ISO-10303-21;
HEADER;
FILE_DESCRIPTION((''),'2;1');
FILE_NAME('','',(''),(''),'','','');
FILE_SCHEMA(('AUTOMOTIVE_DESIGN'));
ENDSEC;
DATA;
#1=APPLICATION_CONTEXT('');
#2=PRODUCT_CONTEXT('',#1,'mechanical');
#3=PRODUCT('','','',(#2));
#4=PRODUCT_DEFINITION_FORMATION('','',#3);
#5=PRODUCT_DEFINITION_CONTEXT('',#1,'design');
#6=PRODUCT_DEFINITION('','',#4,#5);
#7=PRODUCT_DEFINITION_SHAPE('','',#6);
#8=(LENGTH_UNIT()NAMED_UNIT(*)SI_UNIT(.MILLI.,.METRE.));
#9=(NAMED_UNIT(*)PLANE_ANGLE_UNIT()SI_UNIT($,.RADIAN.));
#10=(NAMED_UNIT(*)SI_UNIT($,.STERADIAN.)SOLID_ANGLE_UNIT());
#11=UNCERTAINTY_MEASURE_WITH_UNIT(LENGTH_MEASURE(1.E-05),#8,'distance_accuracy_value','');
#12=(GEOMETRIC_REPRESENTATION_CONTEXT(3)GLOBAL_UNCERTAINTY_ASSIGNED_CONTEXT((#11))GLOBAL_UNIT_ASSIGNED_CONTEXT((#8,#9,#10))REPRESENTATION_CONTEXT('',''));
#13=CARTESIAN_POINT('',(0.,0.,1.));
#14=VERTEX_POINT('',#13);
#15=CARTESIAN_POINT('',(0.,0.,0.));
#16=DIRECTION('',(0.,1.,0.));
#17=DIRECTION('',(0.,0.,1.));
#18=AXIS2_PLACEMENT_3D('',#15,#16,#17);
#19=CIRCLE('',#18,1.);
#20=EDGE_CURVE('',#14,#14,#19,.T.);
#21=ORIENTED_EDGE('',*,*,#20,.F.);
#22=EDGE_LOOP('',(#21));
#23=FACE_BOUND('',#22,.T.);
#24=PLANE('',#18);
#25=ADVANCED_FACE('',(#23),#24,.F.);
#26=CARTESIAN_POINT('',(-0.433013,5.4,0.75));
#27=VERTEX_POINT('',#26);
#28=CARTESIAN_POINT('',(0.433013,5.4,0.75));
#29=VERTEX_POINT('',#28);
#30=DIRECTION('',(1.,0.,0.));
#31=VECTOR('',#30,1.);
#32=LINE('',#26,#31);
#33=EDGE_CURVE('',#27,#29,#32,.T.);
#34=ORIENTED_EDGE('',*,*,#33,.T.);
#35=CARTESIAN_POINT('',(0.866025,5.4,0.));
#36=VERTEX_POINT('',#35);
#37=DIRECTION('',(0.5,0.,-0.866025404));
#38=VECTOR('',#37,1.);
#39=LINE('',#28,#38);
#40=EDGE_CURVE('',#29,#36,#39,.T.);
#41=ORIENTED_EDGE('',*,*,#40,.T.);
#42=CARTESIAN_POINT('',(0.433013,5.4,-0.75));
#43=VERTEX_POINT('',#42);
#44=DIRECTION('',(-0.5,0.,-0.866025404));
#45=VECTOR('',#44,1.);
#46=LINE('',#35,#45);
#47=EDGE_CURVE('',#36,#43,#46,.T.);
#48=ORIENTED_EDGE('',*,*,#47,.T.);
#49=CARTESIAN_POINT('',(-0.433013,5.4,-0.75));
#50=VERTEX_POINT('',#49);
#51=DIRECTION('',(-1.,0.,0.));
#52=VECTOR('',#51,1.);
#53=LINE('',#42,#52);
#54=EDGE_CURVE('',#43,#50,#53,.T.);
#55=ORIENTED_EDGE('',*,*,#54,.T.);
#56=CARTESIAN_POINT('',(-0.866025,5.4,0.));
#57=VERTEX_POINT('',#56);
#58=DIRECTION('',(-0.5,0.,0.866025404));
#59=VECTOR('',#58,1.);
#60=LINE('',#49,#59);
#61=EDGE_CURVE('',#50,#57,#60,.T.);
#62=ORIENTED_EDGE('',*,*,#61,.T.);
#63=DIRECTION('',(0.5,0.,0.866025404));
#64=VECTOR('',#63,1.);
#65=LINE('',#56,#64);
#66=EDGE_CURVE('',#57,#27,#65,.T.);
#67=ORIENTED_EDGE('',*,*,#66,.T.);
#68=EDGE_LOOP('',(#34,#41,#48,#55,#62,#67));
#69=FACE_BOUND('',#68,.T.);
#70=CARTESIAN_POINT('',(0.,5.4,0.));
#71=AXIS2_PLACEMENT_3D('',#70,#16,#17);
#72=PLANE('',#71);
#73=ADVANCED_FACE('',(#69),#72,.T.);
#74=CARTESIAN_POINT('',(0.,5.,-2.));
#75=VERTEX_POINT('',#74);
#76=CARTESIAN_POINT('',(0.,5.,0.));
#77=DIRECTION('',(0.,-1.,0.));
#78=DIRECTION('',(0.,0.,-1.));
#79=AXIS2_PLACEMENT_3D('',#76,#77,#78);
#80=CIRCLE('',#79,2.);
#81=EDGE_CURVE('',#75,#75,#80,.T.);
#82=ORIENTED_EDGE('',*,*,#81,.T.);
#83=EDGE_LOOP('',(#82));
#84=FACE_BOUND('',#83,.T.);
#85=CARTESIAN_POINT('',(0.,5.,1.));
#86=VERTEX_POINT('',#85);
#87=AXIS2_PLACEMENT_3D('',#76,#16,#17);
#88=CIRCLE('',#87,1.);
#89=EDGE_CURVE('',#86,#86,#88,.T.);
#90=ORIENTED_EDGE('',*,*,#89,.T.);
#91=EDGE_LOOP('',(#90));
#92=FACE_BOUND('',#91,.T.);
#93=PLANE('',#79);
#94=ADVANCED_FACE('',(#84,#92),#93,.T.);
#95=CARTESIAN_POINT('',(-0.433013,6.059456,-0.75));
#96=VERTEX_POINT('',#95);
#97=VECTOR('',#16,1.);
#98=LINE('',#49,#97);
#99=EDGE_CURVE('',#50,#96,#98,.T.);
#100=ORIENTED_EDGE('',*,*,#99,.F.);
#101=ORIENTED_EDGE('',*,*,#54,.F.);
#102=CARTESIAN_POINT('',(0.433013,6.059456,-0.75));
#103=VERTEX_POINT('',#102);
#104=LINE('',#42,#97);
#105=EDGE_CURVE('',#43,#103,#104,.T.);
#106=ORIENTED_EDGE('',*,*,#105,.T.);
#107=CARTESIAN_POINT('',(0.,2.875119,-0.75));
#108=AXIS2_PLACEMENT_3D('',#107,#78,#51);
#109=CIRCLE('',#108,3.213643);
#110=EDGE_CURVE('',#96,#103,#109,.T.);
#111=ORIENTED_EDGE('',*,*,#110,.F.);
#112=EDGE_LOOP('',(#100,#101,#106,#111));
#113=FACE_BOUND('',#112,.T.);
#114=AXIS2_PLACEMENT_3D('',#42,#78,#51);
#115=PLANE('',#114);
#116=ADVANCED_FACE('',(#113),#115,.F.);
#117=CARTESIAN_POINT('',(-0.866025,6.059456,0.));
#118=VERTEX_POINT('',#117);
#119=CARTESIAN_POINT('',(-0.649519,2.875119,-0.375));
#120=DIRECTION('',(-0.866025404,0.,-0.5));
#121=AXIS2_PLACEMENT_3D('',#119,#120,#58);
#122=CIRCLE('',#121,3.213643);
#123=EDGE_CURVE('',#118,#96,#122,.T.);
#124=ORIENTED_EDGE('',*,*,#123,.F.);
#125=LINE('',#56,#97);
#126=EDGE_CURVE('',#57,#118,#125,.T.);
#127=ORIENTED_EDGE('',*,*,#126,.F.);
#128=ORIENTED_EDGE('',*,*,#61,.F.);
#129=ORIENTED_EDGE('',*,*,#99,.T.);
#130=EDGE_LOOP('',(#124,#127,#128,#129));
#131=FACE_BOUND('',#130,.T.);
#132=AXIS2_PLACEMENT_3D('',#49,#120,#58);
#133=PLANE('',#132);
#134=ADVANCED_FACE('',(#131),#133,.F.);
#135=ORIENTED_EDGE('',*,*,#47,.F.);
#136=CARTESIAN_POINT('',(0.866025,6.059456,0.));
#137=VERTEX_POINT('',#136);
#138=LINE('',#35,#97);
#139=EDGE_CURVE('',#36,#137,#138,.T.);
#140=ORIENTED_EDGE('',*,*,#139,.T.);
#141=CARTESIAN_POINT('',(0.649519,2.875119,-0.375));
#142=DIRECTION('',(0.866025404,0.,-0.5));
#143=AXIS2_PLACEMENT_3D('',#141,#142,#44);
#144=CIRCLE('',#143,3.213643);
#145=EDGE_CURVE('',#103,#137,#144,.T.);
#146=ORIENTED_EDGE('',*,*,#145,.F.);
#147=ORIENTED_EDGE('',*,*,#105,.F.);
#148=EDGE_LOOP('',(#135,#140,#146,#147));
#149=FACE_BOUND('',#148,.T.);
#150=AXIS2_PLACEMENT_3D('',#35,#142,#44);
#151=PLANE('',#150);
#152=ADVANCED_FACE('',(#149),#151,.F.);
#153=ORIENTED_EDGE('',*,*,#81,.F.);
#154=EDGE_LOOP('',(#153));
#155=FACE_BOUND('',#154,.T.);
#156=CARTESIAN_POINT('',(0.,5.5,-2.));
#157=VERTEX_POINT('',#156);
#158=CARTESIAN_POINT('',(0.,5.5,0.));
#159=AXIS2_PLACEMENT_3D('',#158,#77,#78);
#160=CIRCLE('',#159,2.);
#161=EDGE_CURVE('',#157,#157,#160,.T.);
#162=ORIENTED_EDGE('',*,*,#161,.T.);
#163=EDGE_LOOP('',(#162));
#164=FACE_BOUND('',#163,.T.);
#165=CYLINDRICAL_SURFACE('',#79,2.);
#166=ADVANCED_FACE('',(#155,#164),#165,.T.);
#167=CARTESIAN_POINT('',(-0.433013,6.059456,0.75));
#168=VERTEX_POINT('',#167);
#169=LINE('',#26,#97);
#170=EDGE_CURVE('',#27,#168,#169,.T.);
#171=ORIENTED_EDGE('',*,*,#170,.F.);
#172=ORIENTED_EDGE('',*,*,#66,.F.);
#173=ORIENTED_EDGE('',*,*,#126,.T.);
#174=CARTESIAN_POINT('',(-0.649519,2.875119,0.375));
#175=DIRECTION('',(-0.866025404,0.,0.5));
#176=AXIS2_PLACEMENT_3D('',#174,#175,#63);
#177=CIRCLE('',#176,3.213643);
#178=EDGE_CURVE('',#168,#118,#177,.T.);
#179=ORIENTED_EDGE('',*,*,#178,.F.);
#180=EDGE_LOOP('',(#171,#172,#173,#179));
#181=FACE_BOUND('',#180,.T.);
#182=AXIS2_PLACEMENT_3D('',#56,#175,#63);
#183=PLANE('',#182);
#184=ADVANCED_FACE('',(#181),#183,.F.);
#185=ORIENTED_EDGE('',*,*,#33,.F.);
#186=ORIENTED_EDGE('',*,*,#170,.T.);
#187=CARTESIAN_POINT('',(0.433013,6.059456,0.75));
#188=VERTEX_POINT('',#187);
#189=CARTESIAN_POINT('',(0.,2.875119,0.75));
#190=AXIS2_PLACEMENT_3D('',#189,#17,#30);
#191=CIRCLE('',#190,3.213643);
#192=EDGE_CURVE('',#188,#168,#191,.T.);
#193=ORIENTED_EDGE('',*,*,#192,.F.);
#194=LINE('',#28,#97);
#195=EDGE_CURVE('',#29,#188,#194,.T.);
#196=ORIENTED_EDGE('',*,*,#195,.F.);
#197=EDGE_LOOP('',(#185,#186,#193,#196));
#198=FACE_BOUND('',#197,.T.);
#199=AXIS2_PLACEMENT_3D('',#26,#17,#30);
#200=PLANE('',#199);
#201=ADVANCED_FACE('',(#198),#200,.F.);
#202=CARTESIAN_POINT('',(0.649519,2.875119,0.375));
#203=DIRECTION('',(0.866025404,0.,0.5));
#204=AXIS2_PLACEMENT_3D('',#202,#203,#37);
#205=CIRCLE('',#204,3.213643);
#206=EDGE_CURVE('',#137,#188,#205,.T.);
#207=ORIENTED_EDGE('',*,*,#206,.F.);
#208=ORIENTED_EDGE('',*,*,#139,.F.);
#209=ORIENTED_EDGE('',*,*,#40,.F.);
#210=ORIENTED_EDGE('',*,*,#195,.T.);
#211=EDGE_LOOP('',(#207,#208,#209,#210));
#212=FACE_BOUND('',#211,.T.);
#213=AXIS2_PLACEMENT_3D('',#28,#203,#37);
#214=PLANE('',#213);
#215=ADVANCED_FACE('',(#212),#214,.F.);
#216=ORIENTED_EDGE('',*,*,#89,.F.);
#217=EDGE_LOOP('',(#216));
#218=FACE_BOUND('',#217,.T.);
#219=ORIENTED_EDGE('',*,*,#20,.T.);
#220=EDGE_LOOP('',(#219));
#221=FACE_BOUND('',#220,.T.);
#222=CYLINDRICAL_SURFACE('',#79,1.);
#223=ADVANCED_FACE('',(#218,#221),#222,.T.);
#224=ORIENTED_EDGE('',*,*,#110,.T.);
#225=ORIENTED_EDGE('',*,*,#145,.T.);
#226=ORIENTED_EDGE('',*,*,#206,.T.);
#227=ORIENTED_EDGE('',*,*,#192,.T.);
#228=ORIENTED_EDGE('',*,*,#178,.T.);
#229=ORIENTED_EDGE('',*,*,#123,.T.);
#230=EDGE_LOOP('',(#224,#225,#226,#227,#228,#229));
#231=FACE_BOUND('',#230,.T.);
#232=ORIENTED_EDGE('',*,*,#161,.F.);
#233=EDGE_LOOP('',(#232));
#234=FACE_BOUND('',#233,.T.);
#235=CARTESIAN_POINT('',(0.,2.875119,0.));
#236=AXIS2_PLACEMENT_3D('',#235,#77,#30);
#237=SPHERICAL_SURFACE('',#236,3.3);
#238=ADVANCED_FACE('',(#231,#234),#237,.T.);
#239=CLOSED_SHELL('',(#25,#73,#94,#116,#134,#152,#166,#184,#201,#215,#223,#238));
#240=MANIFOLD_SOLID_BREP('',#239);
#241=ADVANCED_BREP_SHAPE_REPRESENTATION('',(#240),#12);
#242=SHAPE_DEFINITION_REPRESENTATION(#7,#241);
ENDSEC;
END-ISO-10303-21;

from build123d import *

# Parameters (mm, degrees)
SKETCH1_R           = 1
BOSS_EXTRUDE1_DEPTH = 5
CUT_EXTRUDE1_START  = 6.5
CUT_EXTRUDE1_DEPTH  = 1.1


with BuildPart() as part:
    # Sketch1 → Boss-Extrude1 (new body)
    with BuildSketch(Plane(origin=(0, 0, 0), x_dir=(1, 0, 0), z_dir=(0, 1, 0))):
        with Locations(Location((0, 0, 0), (0, 0, 270))):
            Circle(SKETCH1_R)
    extrude(amount=BOSS_EXTRUDE1_DEPTH)

    # Sketch2 → Revolve2 (revolve)
    with BuildSketch(Plane.XY, mode=Mode.PRIVATE) as revolve2_sk:
        with BuildLine():
            Line((0, 5), (-2, 5))
            Line((-2, 5), (-2, 5.5))
            ThreePointArc((-2, 5.5), (-1.055436608, 6.001787176), (0, 6.17511905))
            Line((0, 6.17511905), (0, 5))
        make_face()
    revolve(revolve2_sk.sketch.rotate(Axis((0, 5, 0), (0, 1, 0)), 180), axis=Axis((0, 5, 0), (0, 1, 0)))

    # Sketch3 → Cut-Extrude1 (cut)
    with BuildSketch(Plane(origin=(0, 0, 0), x_dir=(1, 0, 0), z_dir=(0, 1, 0)).offset(CUT_EXTRUDE1_START)):
        Polygon((0.433012702, -0.75), (0.866025404, 0), (0.433012702, 0.75), (-0.433012702, 0.75), (-0.866025404, 0), (-0.433012702, -0.75), align=None)
    extrude(amount=-CUT_EXTRUDE1_DEPTH, mode=Mode.SUBTRACT)


solid = part.part
